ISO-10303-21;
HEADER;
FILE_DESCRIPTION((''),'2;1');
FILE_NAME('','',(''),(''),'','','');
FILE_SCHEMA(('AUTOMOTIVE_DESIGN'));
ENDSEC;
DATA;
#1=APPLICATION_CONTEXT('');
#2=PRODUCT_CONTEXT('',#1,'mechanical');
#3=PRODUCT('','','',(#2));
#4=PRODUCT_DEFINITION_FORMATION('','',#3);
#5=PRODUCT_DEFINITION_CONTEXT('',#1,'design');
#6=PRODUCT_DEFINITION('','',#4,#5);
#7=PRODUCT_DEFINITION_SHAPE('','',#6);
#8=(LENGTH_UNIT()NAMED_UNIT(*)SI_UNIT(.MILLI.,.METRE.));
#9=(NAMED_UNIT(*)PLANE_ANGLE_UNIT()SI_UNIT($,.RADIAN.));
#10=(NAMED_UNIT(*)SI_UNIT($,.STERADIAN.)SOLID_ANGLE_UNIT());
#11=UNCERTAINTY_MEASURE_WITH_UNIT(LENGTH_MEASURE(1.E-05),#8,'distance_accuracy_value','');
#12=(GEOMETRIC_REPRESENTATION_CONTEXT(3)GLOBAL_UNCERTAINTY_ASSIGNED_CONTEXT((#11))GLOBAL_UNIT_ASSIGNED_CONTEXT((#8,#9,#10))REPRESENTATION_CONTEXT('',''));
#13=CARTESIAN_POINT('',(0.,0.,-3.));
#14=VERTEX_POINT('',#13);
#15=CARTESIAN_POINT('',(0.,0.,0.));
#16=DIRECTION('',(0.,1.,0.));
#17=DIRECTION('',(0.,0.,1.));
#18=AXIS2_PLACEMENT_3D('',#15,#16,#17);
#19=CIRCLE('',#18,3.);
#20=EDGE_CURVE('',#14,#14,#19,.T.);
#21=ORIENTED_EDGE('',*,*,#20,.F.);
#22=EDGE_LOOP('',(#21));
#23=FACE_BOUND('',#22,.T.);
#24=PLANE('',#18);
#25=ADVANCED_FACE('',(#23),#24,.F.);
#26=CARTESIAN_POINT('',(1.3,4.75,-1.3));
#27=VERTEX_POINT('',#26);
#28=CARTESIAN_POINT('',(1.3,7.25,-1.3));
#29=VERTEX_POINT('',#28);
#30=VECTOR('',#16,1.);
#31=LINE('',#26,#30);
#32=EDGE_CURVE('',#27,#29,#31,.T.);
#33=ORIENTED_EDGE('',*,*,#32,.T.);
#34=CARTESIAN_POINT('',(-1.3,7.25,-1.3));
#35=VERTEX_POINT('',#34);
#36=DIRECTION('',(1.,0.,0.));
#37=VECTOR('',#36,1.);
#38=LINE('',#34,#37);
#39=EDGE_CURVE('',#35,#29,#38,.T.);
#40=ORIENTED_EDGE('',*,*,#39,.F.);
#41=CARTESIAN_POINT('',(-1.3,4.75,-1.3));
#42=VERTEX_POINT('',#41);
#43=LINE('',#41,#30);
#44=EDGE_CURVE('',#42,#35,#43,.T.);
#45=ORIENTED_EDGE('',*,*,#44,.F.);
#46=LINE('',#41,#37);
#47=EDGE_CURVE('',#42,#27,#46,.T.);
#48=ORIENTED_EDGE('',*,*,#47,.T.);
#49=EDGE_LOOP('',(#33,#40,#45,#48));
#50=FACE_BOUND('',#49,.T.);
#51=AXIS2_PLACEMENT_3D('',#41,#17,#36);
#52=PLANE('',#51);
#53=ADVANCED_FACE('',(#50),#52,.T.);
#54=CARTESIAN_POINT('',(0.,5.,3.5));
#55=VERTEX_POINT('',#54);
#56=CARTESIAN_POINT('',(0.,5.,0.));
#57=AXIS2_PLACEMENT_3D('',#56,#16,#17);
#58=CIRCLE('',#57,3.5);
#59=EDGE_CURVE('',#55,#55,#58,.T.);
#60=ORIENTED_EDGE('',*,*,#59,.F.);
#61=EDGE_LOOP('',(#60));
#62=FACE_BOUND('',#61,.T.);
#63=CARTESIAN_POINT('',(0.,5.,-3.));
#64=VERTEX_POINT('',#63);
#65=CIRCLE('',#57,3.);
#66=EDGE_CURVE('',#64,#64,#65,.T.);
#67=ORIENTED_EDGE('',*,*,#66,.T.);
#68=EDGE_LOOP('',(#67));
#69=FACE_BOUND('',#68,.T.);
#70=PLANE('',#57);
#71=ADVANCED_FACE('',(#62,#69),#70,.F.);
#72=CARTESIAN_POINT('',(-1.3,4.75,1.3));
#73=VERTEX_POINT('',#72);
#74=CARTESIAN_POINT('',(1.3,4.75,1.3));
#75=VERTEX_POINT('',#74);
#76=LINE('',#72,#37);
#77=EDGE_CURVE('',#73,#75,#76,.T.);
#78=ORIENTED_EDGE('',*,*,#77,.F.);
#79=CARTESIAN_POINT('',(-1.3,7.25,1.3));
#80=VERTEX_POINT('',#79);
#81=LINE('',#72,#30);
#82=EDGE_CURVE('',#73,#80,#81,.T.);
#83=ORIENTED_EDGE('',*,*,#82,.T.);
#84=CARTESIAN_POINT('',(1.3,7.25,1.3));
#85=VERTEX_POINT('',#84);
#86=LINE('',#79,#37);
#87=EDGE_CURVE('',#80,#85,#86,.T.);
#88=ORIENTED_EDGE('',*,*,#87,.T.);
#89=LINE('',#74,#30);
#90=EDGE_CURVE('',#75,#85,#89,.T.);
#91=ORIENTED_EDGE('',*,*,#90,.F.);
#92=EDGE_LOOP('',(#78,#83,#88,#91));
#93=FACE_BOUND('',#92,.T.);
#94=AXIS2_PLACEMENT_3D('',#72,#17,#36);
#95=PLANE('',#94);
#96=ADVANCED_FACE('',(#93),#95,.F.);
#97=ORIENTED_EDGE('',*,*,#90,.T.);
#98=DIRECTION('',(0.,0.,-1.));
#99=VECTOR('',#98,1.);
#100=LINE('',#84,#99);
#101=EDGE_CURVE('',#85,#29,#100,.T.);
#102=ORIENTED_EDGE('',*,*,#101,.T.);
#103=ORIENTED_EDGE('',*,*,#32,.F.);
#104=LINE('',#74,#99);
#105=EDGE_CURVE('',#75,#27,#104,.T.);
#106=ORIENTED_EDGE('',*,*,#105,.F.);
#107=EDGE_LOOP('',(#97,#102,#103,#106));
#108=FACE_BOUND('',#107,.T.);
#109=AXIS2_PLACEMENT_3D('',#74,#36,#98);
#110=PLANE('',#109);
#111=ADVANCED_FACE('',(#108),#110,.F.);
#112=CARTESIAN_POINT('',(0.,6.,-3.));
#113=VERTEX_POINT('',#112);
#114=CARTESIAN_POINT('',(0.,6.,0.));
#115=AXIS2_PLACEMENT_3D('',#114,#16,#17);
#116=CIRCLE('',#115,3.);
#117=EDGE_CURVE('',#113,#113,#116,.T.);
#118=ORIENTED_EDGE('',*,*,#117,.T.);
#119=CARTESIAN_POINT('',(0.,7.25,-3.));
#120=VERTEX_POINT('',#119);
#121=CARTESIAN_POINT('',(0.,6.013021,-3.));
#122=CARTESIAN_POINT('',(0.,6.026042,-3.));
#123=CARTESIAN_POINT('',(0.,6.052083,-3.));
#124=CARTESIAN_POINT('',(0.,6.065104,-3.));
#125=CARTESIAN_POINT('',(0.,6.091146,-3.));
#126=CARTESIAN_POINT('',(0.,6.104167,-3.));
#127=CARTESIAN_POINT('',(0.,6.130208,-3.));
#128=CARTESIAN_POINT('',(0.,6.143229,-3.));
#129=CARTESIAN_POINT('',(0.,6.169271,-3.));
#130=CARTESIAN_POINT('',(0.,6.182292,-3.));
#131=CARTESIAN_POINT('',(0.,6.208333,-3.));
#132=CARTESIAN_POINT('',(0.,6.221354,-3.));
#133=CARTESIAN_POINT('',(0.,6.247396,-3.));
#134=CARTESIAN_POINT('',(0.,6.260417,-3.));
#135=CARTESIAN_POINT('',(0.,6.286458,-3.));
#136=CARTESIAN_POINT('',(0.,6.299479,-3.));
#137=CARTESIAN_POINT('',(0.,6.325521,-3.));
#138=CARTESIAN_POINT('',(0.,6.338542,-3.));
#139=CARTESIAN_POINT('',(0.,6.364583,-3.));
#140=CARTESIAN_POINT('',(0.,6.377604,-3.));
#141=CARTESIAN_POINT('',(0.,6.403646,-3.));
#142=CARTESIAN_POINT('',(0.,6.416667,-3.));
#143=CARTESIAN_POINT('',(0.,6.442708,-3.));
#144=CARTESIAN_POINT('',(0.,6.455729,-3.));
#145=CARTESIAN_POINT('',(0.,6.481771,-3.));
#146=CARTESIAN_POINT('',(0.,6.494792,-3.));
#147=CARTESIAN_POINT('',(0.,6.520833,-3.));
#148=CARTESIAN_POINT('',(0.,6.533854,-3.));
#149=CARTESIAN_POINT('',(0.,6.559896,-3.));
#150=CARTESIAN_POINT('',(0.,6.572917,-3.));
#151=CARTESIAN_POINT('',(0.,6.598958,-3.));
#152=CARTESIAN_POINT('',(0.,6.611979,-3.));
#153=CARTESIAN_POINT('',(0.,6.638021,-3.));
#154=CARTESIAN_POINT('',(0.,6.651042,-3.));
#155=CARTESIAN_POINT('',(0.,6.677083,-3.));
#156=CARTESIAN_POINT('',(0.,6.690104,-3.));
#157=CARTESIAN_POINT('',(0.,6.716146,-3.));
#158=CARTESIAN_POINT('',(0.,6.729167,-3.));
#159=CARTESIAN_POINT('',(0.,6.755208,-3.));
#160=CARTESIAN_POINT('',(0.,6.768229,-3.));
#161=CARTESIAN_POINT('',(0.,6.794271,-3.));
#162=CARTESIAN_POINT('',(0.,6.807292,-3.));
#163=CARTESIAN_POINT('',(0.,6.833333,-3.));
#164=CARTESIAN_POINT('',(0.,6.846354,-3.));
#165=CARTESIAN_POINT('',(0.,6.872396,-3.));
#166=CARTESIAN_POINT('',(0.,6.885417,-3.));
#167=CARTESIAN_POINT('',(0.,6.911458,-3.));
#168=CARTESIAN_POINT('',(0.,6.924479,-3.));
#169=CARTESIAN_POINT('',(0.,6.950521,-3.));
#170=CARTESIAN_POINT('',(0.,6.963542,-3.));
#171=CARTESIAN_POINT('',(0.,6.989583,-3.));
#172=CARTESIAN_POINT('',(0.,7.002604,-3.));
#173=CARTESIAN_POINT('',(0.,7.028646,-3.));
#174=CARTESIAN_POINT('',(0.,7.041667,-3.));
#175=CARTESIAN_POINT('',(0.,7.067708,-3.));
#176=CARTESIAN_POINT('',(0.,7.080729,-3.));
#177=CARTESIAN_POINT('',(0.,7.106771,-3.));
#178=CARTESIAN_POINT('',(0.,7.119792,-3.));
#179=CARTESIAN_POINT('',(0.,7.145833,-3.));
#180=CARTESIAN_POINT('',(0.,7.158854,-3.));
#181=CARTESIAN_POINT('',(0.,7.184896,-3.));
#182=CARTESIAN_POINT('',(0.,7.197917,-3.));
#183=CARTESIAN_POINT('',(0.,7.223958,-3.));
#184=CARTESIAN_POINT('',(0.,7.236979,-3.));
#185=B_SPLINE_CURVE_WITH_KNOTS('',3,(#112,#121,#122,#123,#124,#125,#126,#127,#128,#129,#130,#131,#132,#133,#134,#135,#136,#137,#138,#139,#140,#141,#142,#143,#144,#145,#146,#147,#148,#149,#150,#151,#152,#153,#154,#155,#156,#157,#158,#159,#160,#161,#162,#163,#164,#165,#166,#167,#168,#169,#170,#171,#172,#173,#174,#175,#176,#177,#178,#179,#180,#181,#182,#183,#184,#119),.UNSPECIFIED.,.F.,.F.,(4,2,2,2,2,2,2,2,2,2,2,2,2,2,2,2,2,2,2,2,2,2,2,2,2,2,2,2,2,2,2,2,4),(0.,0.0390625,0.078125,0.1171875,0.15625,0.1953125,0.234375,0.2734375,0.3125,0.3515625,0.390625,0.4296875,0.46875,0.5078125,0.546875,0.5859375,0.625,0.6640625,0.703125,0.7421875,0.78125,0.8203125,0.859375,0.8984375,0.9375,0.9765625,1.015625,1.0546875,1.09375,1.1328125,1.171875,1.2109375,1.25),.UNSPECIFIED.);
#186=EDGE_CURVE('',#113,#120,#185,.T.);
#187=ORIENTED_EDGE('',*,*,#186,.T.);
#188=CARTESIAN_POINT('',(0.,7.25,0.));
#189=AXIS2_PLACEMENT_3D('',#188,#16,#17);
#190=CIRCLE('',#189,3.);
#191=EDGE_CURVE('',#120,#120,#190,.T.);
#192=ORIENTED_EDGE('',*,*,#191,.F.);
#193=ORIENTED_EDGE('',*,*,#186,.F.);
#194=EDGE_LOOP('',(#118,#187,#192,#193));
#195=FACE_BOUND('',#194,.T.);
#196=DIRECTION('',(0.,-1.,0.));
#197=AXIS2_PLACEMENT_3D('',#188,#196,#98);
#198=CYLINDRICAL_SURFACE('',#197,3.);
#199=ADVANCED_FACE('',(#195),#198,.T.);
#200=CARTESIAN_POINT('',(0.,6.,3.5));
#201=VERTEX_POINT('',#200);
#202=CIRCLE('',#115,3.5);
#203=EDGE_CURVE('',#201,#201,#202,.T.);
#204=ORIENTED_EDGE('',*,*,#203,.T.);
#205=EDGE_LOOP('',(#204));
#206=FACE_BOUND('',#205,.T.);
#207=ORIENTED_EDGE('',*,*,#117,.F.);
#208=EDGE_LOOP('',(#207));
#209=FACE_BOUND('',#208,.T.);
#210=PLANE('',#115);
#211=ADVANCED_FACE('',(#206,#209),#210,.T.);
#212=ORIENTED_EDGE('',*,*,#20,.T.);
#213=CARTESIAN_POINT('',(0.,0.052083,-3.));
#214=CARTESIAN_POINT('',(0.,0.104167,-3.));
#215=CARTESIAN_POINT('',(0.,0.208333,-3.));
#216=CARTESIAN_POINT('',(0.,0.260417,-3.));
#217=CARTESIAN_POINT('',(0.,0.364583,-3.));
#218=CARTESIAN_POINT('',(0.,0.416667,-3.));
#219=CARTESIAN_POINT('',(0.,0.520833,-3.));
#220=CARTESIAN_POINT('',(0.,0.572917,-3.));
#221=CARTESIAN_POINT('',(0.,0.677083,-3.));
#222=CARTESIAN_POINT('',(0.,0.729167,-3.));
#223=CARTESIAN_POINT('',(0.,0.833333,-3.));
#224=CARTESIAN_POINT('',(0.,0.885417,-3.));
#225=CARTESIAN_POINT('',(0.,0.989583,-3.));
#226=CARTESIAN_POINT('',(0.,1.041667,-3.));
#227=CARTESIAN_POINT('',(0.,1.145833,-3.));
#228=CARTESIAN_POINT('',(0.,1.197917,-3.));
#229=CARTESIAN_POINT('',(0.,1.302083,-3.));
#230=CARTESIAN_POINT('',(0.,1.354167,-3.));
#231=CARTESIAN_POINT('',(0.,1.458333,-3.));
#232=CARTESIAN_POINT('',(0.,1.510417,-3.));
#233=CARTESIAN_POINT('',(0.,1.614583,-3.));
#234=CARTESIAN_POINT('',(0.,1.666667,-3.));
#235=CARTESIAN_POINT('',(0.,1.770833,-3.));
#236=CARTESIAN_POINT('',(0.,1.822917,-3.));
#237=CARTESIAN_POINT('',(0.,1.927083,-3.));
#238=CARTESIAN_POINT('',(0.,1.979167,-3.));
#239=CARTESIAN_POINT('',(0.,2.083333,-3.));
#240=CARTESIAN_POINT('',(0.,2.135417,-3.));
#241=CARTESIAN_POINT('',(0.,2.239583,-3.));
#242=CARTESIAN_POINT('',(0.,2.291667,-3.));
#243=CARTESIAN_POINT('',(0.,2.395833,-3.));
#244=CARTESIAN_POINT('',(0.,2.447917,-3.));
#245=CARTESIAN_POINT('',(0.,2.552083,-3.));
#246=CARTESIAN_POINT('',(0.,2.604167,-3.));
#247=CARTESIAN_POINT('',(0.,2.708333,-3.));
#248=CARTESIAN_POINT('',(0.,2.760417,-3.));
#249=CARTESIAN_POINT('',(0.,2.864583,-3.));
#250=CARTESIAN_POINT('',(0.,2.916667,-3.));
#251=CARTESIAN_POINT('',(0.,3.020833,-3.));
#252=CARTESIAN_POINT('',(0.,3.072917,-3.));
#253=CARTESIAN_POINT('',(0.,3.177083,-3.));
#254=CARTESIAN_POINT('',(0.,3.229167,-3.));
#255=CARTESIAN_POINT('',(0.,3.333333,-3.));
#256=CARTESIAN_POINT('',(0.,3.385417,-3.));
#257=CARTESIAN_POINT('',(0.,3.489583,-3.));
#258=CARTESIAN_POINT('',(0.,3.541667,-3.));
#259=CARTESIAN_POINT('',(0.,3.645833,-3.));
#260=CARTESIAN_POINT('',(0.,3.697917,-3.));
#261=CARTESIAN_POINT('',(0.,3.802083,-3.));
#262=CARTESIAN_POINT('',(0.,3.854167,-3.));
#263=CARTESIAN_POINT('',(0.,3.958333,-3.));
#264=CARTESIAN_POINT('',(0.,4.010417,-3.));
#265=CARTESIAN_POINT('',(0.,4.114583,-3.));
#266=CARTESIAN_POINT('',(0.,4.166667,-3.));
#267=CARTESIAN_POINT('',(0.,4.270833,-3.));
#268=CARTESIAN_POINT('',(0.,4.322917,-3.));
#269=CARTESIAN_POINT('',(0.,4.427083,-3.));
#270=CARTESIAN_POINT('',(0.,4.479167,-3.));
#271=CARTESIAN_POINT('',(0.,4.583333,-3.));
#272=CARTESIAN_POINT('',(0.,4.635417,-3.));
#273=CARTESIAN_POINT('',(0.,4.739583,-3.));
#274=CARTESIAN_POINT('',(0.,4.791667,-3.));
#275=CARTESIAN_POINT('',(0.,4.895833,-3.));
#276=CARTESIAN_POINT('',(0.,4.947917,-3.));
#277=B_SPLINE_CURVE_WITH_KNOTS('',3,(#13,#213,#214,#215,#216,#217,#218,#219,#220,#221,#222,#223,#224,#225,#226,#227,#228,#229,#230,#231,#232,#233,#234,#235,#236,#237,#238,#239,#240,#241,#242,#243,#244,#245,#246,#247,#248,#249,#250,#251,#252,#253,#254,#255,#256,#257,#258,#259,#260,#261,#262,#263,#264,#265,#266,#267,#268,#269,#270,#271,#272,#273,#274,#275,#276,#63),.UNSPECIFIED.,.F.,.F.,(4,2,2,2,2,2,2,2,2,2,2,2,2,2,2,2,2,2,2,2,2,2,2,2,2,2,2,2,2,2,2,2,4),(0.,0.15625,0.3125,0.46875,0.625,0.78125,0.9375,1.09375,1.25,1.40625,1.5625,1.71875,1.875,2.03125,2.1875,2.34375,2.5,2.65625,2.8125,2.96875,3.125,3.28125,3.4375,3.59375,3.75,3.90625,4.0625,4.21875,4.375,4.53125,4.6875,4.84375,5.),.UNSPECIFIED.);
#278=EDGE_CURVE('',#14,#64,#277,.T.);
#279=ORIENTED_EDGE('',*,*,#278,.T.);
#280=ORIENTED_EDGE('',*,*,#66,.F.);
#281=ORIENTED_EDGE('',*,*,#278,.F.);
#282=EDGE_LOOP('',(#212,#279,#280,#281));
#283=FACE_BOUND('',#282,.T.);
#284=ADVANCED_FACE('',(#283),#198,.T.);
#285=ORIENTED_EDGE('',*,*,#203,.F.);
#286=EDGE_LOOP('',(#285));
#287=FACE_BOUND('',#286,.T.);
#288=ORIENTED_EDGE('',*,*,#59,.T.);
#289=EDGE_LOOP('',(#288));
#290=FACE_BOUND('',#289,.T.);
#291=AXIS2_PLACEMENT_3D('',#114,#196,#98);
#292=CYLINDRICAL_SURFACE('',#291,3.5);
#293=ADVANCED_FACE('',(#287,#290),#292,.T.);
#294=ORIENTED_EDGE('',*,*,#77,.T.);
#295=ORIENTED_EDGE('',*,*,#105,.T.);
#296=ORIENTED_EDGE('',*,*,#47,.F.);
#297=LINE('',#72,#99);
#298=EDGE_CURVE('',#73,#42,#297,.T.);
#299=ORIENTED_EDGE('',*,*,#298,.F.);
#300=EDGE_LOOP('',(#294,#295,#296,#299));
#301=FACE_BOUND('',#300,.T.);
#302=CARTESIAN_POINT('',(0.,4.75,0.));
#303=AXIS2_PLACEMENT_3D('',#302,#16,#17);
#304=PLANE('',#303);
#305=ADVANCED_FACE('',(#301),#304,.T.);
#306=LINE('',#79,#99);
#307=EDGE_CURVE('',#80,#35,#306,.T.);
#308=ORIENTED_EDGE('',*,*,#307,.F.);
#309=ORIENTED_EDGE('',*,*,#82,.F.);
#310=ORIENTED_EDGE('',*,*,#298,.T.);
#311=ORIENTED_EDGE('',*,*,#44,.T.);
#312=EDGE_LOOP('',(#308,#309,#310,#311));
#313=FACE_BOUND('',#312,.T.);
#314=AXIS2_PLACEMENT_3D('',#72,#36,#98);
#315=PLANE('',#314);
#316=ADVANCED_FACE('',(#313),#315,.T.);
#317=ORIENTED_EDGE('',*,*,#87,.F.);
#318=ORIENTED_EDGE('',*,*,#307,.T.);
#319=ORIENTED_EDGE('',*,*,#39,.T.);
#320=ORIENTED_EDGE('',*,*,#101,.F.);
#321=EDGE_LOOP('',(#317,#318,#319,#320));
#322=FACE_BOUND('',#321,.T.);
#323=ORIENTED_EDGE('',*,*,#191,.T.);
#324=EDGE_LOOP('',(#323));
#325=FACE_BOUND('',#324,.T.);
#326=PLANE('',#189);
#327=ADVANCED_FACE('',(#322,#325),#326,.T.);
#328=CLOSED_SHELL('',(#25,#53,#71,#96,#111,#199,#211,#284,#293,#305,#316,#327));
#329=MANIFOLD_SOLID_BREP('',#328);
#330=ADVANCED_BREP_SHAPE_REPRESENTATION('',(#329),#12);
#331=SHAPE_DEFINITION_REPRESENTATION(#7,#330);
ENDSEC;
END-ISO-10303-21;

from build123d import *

# Parameters (mm, degrees)
SKIZZE1_R                       = 3
AUFSATZ_LINEAR_AUSTRAGEN1_DEPTH = 7.25
AUFSATZ_LINEAR_START            = 5
SKIZZE3_R                       = 3.5
AUFSATZ_LINEAR_AUSTRAGEN2_DEPTH = 1
SKIZZE2_W                       = 2.6
SKIZZE2_H                       = 2.6
SCHNITT_LINEAR_AUSTRAGEN1_DEPTH = 2.5


with BuildPart() as part:
    # Skizze1 → Aufsatz-Linear austragen1 (new body)
    with BuildSketch(Plane(origin=(0, 0, 0), x_dir=(1, 0, 0), z_dir=(0, 1, 0))):
        with Locations(Location((0, 0, 0), (0, 0, 90))):
            Circle(SKIZZE1_R)
    extrude(amount=AUFSATZ_LINEAR_AUSTRAGEN1_DEPTH)

    # Skizze3 → Aufsatz-Linear austragen2 (add)
    with BuildSketch(Plane(origin=(0, 0, 0), x_dir=(1, 0, 0), z_dir=(0, 1, 0)).offset(AUFSATZ_LINEAR_START)):
        with Locations(Location((0, 0, 0), (0, 0, 270))):
            Circle(SKIZZE3_R)
    extrude(amount=AUFSATZ_LINEAR_AUSTRAGEN2_DEPTH)

    # Skizze2 → Schnitt-Linear austragen1 (cut)
    with BuildSketch(Plane(origin=(0, 7.25, 0), x_dir=(1, 0, 0), z_dir=(0, 1, 0))):
        Rectangle(SKIZZE2_W, SKIZZE2_H)
    extrude(amount=-SCHNITT_LINEAR_AUSTRAGEN1_DEPTH, mode=Mode.SUBTRACT)


solid = part.part
